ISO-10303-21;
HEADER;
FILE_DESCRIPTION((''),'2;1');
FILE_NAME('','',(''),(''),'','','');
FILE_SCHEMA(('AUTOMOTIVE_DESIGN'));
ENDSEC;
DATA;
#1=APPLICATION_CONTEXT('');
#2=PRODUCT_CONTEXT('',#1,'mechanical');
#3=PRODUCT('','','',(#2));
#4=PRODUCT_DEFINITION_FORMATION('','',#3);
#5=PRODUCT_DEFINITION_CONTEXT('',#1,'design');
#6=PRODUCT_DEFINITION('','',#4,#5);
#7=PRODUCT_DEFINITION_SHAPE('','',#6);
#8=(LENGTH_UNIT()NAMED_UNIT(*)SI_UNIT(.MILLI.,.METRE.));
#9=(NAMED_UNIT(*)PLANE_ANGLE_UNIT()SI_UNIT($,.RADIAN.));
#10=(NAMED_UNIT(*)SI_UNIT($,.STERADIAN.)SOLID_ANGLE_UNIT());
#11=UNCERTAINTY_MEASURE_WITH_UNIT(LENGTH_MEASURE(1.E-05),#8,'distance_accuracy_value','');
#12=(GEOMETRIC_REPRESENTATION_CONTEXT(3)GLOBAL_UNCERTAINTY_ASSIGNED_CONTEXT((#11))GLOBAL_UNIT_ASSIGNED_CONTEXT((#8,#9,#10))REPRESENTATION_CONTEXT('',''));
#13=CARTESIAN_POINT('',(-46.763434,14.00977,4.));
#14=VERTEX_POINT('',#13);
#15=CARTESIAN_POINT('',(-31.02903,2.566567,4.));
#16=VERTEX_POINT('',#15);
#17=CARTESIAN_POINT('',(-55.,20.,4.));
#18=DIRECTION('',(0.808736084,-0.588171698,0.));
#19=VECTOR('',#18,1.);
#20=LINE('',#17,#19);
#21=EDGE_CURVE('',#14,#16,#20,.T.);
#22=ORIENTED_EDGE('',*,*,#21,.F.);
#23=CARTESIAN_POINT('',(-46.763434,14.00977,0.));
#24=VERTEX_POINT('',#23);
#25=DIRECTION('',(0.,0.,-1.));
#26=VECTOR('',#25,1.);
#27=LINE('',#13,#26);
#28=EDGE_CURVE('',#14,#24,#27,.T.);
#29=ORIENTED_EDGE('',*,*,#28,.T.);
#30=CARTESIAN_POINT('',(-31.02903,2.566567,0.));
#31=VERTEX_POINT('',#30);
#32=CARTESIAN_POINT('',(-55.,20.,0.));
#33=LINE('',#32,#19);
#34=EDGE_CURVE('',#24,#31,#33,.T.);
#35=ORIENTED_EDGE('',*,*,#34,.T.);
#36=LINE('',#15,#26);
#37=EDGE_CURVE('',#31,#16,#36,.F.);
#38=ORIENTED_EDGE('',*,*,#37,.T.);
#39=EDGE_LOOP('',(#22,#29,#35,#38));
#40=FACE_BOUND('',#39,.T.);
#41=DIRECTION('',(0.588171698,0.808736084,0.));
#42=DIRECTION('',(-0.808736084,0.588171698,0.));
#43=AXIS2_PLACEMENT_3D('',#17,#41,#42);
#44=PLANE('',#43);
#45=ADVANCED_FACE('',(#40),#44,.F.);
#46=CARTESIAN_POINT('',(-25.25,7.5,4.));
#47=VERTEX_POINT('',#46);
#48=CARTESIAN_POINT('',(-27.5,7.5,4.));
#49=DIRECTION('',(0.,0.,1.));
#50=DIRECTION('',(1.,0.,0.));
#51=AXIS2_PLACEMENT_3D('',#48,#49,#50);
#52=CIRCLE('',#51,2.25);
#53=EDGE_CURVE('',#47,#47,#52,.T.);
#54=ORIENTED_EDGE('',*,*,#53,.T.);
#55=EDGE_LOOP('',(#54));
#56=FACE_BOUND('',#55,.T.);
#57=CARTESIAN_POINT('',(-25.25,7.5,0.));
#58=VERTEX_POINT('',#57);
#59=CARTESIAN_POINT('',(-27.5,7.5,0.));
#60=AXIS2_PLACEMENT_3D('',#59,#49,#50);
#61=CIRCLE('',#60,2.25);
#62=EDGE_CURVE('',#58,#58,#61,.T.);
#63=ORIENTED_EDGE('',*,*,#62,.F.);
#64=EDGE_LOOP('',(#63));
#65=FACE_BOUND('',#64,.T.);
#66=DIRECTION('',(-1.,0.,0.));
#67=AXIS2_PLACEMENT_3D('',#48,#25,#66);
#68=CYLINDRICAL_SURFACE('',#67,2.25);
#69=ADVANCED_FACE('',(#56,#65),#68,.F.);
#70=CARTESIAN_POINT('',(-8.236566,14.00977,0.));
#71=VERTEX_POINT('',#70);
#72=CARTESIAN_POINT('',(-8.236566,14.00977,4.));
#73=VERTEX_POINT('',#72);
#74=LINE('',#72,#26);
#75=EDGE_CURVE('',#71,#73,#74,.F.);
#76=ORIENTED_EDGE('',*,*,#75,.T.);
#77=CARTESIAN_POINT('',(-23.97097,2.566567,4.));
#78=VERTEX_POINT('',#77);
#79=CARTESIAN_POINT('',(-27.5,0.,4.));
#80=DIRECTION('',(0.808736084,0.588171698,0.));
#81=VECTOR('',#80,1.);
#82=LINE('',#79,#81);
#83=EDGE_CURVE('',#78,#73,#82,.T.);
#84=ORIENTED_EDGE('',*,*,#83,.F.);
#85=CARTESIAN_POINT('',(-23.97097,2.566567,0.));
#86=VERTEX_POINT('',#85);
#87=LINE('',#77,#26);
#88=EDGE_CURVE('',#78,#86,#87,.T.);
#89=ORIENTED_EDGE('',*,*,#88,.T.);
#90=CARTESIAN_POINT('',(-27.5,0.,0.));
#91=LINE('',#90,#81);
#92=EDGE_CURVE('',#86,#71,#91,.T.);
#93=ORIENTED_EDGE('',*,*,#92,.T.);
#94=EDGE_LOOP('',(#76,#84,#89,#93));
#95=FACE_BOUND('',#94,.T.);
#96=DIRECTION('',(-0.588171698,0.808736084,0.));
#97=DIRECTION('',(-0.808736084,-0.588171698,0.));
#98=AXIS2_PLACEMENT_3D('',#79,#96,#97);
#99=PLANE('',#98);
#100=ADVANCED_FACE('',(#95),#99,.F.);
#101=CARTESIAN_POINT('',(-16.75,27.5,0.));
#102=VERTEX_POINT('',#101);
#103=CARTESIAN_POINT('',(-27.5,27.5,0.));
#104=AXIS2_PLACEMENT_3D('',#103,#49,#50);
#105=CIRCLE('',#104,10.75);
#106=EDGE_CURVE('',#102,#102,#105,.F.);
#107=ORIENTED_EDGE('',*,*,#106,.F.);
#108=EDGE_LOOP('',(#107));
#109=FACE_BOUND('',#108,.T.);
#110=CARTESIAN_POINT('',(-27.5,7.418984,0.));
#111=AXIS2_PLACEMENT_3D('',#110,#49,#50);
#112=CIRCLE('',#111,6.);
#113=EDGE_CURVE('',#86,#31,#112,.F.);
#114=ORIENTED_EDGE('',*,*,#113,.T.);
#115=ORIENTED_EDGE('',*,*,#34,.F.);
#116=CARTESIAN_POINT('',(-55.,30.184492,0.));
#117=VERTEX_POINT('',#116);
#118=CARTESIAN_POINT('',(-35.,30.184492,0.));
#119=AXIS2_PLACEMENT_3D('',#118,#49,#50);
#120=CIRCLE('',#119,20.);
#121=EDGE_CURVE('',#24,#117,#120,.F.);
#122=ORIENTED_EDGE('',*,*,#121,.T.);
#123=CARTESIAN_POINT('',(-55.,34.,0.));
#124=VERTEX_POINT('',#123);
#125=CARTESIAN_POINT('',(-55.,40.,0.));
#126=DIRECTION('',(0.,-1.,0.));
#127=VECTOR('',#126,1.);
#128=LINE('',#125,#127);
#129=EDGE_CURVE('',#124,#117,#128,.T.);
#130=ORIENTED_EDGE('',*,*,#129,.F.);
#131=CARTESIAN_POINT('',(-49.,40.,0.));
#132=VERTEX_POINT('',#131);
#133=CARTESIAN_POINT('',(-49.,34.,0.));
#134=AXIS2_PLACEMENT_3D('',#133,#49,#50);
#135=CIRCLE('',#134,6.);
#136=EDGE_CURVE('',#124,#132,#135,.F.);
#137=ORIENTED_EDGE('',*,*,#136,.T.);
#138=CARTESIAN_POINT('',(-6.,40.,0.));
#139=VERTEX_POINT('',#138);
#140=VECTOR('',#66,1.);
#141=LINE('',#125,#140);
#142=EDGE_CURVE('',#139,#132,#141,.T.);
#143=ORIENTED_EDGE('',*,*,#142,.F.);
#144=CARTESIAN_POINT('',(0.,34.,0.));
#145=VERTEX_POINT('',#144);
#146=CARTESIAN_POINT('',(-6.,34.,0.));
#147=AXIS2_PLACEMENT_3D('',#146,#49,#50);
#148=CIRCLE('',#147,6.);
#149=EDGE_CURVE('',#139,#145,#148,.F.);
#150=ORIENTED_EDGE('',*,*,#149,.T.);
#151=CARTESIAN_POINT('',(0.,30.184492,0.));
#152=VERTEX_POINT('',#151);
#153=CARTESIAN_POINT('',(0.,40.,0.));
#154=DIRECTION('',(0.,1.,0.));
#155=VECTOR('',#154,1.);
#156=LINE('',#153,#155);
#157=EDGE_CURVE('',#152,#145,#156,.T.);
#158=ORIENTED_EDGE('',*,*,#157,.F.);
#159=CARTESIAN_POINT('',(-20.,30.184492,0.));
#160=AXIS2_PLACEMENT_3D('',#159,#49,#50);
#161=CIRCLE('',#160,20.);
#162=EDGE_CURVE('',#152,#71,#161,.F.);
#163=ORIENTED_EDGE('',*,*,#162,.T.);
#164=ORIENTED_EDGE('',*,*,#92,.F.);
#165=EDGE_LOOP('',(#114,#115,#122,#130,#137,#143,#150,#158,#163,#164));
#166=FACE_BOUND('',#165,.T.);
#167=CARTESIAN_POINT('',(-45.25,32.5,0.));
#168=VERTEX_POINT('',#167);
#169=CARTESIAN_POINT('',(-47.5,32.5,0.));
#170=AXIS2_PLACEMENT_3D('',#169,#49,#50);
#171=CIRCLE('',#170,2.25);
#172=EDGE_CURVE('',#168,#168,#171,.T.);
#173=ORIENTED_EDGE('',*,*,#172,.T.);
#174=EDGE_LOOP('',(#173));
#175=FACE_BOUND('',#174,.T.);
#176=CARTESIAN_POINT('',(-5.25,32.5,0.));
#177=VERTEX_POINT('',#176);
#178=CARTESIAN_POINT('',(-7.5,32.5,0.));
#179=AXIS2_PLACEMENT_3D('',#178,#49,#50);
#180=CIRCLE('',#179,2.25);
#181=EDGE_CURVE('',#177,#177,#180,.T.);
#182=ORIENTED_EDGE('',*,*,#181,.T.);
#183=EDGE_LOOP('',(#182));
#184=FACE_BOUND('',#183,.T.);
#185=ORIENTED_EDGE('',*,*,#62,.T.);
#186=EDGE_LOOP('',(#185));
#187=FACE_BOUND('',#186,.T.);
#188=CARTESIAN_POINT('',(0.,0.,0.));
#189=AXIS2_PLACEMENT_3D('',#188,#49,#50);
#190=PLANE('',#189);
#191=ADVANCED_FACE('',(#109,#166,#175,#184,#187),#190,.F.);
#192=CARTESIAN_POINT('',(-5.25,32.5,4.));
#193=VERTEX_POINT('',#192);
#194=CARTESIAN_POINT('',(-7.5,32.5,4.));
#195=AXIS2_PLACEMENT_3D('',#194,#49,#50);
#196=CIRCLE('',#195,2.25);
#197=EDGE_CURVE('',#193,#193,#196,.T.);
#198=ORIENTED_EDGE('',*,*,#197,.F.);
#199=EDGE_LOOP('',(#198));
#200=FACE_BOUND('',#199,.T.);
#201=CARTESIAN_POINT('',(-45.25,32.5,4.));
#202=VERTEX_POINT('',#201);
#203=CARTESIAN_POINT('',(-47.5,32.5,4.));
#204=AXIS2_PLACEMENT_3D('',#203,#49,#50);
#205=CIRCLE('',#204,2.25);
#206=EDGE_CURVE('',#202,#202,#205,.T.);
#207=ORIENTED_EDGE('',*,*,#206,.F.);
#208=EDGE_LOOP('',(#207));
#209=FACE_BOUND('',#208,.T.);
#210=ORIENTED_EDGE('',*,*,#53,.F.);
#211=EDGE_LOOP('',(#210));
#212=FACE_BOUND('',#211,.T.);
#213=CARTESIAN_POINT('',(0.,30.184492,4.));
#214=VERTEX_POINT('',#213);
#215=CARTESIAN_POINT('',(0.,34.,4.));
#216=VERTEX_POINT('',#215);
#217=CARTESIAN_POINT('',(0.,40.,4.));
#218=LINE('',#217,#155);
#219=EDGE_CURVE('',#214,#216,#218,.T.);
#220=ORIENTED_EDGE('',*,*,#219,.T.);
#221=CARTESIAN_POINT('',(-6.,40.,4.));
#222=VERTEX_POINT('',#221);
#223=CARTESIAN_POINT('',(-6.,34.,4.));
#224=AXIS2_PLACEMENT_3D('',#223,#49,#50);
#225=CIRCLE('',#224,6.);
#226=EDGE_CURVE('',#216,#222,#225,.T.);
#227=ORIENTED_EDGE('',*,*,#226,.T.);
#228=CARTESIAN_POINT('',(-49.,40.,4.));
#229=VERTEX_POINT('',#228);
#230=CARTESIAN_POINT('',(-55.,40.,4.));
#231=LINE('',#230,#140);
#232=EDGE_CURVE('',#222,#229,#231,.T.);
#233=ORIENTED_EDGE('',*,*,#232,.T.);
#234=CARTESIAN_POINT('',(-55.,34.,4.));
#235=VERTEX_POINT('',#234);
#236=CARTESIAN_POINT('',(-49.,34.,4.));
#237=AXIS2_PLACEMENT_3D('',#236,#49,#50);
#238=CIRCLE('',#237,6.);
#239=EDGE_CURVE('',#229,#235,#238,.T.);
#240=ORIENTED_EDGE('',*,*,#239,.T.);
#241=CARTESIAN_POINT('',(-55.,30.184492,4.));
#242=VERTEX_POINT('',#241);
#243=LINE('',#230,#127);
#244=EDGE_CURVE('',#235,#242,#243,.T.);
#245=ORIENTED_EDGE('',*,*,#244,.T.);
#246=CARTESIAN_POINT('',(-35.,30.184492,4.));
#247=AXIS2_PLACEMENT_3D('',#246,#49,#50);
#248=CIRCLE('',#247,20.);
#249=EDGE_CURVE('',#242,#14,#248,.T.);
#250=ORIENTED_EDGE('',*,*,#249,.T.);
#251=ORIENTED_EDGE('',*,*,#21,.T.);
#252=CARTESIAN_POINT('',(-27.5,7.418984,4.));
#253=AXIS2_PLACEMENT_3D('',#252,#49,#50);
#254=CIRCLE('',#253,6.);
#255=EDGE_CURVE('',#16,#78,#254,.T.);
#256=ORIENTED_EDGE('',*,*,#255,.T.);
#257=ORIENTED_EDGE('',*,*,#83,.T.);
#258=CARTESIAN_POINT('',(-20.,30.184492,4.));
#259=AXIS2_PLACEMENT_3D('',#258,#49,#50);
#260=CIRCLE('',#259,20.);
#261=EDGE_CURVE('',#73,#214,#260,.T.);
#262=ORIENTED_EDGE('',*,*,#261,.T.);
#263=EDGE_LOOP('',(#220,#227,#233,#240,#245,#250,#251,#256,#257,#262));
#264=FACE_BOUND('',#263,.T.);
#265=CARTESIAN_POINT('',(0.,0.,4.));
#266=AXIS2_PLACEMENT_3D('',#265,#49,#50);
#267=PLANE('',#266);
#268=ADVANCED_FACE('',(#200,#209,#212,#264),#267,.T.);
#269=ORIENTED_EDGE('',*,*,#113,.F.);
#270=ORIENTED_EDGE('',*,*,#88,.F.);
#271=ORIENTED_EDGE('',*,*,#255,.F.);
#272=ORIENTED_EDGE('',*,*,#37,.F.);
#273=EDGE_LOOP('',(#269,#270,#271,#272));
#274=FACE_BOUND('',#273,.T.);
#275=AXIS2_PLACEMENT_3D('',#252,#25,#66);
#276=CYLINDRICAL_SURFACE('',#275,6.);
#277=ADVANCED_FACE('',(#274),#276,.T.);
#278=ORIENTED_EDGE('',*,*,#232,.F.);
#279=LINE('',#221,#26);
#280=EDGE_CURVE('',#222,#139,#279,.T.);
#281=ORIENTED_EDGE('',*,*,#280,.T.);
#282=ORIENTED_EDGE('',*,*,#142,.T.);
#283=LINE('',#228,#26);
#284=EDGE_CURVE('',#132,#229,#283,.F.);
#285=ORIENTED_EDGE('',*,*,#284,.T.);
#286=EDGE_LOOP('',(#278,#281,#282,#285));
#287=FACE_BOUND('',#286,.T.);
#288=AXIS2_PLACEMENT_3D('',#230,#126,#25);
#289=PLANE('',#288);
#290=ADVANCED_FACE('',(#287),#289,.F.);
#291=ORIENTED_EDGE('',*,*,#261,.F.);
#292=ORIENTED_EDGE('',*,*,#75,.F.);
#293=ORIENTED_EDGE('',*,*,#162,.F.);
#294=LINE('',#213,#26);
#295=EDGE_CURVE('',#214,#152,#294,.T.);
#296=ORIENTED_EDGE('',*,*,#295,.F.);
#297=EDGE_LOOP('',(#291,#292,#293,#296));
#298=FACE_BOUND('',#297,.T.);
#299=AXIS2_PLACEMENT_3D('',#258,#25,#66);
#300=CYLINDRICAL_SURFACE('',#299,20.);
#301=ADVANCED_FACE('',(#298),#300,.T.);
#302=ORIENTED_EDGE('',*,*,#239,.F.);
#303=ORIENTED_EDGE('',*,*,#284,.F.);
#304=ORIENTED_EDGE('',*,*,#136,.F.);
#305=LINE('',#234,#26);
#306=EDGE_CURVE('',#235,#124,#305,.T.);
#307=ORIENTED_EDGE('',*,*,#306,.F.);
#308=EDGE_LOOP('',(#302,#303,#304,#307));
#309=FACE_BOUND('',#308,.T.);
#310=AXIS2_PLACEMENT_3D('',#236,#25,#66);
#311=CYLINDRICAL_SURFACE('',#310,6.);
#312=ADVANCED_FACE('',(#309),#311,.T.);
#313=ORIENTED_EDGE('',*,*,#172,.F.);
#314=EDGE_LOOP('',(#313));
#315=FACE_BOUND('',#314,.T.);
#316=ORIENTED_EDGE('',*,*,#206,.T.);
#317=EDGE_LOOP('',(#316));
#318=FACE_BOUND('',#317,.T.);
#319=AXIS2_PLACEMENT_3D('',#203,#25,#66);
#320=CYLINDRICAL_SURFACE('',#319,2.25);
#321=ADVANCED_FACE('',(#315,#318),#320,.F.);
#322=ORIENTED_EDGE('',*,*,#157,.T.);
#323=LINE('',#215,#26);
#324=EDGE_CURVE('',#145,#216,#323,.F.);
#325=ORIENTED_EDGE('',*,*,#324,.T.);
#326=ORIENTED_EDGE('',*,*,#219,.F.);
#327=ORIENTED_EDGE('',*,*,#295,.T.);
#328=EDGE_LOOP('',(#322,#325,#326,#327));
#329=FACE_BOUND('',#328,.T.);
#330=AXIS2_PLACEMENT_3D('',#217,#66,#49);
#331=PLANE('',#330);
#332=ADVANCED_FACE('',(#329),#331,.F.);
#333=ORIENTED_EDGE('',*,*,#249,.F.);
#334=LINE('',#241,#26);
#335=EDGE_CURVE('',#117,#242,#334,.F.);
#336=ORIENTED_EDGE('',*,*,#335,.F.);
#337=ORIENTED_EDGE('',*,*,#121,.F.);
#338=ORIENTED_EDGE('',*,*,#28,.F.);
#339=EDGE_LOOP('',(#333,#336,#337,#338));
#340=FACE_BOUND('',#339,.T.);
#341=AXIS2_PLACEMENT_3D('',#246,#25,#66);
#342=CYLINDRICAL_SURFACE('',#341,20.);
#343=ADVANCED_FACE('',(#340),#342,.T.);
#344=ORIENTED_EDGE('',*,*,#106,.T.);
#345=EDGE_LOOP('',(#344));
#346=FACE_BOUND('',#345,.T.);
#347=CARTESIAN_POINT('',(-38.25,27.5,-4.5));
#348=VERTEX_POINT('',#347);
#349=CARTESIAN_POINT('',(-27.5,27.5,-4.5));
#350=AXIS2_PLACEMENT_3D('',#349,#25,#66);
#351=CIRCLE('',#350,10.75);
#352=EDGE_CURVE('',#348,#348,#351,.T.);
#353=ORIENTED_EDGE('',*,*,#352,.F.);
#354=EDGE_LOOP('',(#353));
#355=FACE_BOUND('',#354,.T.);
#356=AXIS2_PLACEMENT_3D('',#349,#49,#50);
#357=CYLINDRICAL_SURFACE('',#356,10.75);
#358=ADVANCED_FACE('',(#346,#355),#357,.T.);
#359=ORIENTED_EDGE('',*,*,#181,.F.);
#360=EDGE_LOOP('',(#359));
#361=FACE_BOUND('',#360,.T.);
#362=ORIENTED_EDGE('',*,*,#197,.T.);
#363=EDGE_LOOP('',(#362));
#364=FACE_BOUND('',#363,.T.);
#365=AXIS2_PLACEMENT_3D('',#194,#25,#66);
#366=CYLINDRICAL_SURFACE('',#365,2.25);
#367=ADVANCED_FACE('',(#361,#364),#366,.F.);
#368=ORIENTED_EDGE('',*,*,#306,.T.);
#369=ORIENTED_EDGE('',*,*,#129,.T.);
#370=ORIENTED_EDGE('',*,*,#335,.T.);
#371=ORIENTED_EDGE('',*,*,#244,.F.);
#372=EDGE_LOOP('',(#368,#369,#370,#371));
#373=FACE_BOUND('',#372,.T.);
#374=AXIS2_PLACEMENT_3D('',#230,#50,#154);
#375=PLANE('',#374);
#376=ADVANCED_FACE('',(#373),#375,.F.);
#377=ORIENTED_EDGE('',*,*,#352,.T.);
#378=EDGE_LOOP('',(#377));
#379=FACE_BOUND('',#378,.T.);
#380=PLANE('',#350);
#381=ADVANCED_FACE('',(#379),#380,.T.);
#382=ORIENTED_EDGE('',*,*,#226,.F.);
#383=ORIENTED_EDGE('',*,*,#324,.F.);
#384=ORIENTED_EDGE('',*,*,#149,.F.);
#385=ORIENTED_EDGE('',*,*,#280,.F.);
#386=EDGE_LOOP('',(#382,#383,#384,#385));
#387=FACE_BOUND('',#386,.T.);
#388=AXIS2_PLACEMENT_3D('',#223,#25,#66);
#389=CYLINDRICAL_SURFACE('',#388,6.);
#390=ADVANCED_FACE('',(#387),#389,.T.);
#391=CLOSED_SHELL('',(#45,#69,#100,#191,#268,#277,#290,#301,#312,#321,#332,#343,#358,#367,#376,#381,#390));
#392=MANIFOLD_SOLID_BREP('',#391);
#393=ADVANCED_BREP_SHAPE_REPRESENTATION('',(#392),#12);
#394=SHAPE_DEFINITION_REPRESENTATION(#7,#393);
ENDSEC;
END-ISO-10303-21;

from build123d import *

# Parameters (mm, degrees)
ESQUISSE1_R        = 2.25
BOSS_EXTRU_1_DEPTH = 4
CONG_2_R           = 6
CONG_3_R           = 20
ESQUISSE2_R        = 10.75
BOSS_EXTRU_2_DEPTH = 4.5


with BuildPart() as part:
    # Esquisse1 → Boss.-Extru.1 (new body)
    with BuildSketch(Plane.XY):
        Polygon((-55, 20), (-27.5, 0), (0, 20), (0, 40), (-55, 40), align=None)
        with Locations((-47.5, 32.5)):
            Circle(ESQUISSE1_R, mode=Mode.SUBTRACT)
        with Locations((-7.5, 32.5)):
            Circle(ESQUISSE1_R, mode=Mode.SUBTRACT)
        with Locations((-27.5, 7.5)):
            Circle(ESQUISSE1_R, mode=Mode.SUBTRACT)
    extrude(amount=BOSS_EXTRU_1_DEPTH)

    # Congé2
    cong_2_edges = [part.edges().sort_by_distance(p)[0] for p in [
        (-55, 40, 2),
        (0, 40, 2),
        (-27.5, 0, 2),
    ]]
    fillet(cong_2_edges, radius=CONG_2_R)

    # Congé3
    cong_3_edges = [part.edges().sort_by_distance(p)[0] for p in [
        (0, 20, 2),
        (-55, 20, 2),
    ]]
    fillet(cong_3_edges, radius=CONG_3_R)

    # Esquisse2 → Boss.-Extru.2 (add)
    with BuildSketch(Plane(origin=(0, 0, 0), x_dir=(-1, 0, 0), z_dir=(0, 0, -1))):
        with Locations(Location((27.5, 27.5, 0), (0, 0, 180))):  # turned: the seam where the file's is
            Circle(ESQUISSE2_R)
    extrude(amount=BOSS_EXTRU_2_DEPTH)


solid = part.part
